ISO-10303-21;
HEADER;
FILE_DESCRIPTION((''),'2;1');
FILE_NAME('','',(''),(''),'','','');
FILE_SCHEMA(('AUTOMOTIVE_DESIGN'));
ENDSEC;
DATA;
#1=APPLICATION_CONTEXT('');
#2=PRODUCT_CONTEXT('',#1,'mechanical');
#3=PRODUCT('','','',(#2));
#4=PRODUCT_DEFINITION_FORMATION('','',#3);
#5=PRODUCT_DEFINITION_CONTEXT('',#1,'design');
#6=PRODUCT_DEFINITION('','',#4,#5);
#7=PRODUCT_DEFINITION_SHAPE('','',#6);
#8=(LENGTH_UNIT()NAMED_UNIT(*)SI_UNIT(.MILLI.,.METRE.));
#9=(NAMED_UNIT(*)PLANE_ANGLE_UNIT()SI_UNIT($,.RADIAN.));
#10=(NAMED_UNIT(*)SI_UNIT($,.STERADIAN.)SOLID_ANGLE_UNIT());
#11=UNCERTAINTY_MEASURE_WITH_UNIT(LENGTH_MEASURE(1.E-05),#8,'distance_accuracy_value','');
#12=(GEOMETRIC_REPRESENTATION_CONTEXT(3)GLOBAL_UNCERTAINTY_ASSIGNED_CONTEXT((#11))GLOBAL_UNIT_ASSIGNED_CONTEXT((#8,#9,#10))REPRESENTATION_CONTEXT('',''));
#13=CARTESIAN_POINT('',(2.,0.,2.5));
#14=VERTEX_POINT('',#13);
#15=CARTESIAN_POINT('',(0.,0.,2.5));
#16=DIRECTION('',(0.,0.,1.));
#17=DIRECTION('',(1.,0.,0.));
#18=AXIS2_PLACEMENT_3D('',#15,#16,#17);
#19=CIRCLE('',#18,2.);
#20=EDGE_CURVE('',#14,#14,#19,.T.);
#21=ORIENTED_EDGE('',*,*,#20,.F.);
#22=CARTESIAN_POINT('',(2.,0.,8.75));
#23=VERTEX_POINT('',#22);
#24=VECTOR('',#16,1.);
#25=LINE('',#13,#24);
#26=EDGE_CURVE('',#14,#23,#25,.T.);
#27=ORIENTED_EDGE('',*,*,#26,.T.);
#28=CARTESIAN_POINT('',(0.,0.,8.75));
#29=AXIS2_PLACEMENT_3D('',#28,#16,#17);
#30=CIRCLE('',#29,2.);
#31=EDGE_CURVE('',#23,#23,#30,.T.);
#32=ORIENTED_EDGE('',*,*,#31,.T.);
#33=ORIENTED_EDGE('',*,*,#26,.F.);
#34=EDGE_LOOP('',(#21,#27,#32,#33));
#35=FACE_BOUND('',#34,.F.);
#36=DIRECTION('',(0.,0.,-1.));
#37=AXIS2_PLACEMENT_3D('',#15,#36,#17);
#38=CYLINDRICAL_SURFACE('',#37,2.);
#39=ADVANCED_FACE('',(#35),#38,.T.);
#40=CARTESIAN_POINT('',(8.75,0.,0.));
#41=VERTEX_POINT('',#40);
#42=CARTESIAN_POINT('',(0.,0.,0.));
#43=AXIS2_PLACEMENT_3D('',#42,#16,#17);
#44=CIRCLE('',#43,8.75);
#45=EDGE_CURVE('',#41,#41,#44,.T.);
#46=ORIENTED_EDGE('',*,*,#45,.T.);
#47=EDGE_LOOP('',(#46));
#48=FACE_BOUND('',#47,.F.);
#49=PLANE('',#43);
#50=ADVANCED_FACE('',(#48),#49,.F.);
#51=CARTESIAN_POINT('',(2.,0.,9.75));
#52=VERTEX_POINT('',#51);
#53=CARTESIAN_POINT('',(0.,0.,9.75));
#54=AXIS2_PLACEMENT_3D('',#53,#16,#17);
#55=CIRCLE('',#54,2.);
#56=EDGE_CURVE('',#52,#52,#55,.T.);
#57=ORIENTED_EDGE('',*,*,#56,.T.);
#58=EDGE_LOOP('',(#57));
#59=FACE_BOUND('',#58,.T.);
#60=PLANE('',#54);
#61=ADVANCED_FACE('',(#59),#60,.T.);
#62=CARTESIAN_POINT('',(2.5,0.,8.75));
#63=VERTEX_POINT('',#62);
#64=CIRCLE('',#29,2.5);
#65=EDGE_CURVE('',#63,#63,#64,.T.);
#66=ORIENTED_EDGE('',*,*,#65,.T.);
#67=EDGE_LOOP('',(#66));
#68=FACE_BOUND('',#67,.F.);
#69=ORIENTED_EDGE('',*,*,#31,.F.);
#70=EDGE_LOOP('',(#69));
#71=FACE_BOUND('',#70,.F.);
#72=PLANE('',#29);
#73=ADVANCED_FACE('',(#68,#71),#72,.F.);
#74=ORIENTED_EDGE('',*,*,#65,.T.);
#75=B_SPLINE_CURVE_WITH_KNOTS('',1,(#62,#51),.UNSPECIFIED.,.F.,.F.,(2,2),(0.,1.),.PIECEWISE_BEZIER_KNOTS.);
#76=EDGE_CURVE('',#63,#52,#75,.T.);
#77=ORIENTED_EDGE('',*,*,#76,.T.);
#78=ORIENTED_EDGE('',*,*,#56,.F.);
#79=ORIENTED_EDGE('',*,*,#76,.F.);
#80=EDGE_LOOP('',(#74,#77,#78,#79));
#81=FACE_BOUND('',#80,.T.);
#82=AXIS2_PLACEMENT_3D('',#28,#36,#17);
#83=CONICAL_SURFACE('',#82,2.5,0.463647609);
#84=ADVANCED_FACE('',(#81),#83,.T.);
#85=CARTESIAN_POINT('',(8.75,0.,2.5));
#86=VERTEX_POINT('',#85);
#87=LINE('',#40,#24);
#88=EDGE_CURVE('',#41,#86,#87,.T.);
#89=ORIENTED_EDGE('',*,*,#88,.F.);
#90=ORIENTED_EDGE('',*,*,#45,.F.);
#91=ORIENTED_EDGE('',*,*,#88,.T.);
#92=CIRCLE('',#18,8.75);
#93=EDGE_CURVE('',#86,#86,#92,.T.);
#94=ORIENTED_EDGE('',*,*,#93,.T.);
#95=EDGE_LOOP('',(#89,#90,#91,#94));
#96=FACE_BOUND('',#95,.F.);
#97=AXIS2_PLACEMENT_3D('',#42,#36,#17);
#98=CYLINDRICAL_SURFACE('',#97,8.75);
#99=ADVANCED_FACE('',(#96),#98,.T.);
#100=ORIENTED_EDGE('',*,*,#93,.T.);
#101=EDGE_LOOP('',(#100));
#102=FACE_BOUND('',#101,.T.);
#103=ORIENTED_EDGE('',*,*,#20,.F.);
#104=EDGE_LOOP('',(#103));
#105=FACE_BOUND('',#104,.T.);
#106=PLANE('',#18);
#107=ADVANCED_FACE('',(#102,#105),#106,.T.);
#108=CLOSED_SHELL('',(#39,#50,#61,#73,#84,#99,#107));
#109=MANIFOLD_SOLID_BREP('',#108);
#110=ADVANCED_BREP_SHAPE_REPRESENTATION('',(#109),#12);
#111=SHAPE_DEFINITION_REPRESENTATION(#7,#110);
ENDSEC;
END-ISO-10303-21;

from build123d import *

# Parameters (mm, degrees)
F0_R     = 8.75
F1_DEPTH = 2.5
F2_R     = 2
F3_DEPTH = 6.25
F4_R     = 2.5
F6_R     = 2


with BuildPart() as f1:
    # F0 (on Top) → F1 (new body)
    with BuildSketch(Plane.XY):
        Circle(F0_R)
    extrude(amount=F1_DEPTH)

    # F2 (on face) → F3 (join)
    with BuildSketch(Plane.XY.offset(2.5)):
        Circle(F2_R)
    extrude(amount=F3_DEPTH)

    # F4 (on face) → F7 section 0
    with BuildSketch(Plane.XY.offset(8.75)):
        Circle(F4_R)
    # F6 (on offset) → F7 section 1
    with BuildSketch(Plane.XY.offset(9.75)):
        Circle(F6_R)
    loft()


solid = f1.part
